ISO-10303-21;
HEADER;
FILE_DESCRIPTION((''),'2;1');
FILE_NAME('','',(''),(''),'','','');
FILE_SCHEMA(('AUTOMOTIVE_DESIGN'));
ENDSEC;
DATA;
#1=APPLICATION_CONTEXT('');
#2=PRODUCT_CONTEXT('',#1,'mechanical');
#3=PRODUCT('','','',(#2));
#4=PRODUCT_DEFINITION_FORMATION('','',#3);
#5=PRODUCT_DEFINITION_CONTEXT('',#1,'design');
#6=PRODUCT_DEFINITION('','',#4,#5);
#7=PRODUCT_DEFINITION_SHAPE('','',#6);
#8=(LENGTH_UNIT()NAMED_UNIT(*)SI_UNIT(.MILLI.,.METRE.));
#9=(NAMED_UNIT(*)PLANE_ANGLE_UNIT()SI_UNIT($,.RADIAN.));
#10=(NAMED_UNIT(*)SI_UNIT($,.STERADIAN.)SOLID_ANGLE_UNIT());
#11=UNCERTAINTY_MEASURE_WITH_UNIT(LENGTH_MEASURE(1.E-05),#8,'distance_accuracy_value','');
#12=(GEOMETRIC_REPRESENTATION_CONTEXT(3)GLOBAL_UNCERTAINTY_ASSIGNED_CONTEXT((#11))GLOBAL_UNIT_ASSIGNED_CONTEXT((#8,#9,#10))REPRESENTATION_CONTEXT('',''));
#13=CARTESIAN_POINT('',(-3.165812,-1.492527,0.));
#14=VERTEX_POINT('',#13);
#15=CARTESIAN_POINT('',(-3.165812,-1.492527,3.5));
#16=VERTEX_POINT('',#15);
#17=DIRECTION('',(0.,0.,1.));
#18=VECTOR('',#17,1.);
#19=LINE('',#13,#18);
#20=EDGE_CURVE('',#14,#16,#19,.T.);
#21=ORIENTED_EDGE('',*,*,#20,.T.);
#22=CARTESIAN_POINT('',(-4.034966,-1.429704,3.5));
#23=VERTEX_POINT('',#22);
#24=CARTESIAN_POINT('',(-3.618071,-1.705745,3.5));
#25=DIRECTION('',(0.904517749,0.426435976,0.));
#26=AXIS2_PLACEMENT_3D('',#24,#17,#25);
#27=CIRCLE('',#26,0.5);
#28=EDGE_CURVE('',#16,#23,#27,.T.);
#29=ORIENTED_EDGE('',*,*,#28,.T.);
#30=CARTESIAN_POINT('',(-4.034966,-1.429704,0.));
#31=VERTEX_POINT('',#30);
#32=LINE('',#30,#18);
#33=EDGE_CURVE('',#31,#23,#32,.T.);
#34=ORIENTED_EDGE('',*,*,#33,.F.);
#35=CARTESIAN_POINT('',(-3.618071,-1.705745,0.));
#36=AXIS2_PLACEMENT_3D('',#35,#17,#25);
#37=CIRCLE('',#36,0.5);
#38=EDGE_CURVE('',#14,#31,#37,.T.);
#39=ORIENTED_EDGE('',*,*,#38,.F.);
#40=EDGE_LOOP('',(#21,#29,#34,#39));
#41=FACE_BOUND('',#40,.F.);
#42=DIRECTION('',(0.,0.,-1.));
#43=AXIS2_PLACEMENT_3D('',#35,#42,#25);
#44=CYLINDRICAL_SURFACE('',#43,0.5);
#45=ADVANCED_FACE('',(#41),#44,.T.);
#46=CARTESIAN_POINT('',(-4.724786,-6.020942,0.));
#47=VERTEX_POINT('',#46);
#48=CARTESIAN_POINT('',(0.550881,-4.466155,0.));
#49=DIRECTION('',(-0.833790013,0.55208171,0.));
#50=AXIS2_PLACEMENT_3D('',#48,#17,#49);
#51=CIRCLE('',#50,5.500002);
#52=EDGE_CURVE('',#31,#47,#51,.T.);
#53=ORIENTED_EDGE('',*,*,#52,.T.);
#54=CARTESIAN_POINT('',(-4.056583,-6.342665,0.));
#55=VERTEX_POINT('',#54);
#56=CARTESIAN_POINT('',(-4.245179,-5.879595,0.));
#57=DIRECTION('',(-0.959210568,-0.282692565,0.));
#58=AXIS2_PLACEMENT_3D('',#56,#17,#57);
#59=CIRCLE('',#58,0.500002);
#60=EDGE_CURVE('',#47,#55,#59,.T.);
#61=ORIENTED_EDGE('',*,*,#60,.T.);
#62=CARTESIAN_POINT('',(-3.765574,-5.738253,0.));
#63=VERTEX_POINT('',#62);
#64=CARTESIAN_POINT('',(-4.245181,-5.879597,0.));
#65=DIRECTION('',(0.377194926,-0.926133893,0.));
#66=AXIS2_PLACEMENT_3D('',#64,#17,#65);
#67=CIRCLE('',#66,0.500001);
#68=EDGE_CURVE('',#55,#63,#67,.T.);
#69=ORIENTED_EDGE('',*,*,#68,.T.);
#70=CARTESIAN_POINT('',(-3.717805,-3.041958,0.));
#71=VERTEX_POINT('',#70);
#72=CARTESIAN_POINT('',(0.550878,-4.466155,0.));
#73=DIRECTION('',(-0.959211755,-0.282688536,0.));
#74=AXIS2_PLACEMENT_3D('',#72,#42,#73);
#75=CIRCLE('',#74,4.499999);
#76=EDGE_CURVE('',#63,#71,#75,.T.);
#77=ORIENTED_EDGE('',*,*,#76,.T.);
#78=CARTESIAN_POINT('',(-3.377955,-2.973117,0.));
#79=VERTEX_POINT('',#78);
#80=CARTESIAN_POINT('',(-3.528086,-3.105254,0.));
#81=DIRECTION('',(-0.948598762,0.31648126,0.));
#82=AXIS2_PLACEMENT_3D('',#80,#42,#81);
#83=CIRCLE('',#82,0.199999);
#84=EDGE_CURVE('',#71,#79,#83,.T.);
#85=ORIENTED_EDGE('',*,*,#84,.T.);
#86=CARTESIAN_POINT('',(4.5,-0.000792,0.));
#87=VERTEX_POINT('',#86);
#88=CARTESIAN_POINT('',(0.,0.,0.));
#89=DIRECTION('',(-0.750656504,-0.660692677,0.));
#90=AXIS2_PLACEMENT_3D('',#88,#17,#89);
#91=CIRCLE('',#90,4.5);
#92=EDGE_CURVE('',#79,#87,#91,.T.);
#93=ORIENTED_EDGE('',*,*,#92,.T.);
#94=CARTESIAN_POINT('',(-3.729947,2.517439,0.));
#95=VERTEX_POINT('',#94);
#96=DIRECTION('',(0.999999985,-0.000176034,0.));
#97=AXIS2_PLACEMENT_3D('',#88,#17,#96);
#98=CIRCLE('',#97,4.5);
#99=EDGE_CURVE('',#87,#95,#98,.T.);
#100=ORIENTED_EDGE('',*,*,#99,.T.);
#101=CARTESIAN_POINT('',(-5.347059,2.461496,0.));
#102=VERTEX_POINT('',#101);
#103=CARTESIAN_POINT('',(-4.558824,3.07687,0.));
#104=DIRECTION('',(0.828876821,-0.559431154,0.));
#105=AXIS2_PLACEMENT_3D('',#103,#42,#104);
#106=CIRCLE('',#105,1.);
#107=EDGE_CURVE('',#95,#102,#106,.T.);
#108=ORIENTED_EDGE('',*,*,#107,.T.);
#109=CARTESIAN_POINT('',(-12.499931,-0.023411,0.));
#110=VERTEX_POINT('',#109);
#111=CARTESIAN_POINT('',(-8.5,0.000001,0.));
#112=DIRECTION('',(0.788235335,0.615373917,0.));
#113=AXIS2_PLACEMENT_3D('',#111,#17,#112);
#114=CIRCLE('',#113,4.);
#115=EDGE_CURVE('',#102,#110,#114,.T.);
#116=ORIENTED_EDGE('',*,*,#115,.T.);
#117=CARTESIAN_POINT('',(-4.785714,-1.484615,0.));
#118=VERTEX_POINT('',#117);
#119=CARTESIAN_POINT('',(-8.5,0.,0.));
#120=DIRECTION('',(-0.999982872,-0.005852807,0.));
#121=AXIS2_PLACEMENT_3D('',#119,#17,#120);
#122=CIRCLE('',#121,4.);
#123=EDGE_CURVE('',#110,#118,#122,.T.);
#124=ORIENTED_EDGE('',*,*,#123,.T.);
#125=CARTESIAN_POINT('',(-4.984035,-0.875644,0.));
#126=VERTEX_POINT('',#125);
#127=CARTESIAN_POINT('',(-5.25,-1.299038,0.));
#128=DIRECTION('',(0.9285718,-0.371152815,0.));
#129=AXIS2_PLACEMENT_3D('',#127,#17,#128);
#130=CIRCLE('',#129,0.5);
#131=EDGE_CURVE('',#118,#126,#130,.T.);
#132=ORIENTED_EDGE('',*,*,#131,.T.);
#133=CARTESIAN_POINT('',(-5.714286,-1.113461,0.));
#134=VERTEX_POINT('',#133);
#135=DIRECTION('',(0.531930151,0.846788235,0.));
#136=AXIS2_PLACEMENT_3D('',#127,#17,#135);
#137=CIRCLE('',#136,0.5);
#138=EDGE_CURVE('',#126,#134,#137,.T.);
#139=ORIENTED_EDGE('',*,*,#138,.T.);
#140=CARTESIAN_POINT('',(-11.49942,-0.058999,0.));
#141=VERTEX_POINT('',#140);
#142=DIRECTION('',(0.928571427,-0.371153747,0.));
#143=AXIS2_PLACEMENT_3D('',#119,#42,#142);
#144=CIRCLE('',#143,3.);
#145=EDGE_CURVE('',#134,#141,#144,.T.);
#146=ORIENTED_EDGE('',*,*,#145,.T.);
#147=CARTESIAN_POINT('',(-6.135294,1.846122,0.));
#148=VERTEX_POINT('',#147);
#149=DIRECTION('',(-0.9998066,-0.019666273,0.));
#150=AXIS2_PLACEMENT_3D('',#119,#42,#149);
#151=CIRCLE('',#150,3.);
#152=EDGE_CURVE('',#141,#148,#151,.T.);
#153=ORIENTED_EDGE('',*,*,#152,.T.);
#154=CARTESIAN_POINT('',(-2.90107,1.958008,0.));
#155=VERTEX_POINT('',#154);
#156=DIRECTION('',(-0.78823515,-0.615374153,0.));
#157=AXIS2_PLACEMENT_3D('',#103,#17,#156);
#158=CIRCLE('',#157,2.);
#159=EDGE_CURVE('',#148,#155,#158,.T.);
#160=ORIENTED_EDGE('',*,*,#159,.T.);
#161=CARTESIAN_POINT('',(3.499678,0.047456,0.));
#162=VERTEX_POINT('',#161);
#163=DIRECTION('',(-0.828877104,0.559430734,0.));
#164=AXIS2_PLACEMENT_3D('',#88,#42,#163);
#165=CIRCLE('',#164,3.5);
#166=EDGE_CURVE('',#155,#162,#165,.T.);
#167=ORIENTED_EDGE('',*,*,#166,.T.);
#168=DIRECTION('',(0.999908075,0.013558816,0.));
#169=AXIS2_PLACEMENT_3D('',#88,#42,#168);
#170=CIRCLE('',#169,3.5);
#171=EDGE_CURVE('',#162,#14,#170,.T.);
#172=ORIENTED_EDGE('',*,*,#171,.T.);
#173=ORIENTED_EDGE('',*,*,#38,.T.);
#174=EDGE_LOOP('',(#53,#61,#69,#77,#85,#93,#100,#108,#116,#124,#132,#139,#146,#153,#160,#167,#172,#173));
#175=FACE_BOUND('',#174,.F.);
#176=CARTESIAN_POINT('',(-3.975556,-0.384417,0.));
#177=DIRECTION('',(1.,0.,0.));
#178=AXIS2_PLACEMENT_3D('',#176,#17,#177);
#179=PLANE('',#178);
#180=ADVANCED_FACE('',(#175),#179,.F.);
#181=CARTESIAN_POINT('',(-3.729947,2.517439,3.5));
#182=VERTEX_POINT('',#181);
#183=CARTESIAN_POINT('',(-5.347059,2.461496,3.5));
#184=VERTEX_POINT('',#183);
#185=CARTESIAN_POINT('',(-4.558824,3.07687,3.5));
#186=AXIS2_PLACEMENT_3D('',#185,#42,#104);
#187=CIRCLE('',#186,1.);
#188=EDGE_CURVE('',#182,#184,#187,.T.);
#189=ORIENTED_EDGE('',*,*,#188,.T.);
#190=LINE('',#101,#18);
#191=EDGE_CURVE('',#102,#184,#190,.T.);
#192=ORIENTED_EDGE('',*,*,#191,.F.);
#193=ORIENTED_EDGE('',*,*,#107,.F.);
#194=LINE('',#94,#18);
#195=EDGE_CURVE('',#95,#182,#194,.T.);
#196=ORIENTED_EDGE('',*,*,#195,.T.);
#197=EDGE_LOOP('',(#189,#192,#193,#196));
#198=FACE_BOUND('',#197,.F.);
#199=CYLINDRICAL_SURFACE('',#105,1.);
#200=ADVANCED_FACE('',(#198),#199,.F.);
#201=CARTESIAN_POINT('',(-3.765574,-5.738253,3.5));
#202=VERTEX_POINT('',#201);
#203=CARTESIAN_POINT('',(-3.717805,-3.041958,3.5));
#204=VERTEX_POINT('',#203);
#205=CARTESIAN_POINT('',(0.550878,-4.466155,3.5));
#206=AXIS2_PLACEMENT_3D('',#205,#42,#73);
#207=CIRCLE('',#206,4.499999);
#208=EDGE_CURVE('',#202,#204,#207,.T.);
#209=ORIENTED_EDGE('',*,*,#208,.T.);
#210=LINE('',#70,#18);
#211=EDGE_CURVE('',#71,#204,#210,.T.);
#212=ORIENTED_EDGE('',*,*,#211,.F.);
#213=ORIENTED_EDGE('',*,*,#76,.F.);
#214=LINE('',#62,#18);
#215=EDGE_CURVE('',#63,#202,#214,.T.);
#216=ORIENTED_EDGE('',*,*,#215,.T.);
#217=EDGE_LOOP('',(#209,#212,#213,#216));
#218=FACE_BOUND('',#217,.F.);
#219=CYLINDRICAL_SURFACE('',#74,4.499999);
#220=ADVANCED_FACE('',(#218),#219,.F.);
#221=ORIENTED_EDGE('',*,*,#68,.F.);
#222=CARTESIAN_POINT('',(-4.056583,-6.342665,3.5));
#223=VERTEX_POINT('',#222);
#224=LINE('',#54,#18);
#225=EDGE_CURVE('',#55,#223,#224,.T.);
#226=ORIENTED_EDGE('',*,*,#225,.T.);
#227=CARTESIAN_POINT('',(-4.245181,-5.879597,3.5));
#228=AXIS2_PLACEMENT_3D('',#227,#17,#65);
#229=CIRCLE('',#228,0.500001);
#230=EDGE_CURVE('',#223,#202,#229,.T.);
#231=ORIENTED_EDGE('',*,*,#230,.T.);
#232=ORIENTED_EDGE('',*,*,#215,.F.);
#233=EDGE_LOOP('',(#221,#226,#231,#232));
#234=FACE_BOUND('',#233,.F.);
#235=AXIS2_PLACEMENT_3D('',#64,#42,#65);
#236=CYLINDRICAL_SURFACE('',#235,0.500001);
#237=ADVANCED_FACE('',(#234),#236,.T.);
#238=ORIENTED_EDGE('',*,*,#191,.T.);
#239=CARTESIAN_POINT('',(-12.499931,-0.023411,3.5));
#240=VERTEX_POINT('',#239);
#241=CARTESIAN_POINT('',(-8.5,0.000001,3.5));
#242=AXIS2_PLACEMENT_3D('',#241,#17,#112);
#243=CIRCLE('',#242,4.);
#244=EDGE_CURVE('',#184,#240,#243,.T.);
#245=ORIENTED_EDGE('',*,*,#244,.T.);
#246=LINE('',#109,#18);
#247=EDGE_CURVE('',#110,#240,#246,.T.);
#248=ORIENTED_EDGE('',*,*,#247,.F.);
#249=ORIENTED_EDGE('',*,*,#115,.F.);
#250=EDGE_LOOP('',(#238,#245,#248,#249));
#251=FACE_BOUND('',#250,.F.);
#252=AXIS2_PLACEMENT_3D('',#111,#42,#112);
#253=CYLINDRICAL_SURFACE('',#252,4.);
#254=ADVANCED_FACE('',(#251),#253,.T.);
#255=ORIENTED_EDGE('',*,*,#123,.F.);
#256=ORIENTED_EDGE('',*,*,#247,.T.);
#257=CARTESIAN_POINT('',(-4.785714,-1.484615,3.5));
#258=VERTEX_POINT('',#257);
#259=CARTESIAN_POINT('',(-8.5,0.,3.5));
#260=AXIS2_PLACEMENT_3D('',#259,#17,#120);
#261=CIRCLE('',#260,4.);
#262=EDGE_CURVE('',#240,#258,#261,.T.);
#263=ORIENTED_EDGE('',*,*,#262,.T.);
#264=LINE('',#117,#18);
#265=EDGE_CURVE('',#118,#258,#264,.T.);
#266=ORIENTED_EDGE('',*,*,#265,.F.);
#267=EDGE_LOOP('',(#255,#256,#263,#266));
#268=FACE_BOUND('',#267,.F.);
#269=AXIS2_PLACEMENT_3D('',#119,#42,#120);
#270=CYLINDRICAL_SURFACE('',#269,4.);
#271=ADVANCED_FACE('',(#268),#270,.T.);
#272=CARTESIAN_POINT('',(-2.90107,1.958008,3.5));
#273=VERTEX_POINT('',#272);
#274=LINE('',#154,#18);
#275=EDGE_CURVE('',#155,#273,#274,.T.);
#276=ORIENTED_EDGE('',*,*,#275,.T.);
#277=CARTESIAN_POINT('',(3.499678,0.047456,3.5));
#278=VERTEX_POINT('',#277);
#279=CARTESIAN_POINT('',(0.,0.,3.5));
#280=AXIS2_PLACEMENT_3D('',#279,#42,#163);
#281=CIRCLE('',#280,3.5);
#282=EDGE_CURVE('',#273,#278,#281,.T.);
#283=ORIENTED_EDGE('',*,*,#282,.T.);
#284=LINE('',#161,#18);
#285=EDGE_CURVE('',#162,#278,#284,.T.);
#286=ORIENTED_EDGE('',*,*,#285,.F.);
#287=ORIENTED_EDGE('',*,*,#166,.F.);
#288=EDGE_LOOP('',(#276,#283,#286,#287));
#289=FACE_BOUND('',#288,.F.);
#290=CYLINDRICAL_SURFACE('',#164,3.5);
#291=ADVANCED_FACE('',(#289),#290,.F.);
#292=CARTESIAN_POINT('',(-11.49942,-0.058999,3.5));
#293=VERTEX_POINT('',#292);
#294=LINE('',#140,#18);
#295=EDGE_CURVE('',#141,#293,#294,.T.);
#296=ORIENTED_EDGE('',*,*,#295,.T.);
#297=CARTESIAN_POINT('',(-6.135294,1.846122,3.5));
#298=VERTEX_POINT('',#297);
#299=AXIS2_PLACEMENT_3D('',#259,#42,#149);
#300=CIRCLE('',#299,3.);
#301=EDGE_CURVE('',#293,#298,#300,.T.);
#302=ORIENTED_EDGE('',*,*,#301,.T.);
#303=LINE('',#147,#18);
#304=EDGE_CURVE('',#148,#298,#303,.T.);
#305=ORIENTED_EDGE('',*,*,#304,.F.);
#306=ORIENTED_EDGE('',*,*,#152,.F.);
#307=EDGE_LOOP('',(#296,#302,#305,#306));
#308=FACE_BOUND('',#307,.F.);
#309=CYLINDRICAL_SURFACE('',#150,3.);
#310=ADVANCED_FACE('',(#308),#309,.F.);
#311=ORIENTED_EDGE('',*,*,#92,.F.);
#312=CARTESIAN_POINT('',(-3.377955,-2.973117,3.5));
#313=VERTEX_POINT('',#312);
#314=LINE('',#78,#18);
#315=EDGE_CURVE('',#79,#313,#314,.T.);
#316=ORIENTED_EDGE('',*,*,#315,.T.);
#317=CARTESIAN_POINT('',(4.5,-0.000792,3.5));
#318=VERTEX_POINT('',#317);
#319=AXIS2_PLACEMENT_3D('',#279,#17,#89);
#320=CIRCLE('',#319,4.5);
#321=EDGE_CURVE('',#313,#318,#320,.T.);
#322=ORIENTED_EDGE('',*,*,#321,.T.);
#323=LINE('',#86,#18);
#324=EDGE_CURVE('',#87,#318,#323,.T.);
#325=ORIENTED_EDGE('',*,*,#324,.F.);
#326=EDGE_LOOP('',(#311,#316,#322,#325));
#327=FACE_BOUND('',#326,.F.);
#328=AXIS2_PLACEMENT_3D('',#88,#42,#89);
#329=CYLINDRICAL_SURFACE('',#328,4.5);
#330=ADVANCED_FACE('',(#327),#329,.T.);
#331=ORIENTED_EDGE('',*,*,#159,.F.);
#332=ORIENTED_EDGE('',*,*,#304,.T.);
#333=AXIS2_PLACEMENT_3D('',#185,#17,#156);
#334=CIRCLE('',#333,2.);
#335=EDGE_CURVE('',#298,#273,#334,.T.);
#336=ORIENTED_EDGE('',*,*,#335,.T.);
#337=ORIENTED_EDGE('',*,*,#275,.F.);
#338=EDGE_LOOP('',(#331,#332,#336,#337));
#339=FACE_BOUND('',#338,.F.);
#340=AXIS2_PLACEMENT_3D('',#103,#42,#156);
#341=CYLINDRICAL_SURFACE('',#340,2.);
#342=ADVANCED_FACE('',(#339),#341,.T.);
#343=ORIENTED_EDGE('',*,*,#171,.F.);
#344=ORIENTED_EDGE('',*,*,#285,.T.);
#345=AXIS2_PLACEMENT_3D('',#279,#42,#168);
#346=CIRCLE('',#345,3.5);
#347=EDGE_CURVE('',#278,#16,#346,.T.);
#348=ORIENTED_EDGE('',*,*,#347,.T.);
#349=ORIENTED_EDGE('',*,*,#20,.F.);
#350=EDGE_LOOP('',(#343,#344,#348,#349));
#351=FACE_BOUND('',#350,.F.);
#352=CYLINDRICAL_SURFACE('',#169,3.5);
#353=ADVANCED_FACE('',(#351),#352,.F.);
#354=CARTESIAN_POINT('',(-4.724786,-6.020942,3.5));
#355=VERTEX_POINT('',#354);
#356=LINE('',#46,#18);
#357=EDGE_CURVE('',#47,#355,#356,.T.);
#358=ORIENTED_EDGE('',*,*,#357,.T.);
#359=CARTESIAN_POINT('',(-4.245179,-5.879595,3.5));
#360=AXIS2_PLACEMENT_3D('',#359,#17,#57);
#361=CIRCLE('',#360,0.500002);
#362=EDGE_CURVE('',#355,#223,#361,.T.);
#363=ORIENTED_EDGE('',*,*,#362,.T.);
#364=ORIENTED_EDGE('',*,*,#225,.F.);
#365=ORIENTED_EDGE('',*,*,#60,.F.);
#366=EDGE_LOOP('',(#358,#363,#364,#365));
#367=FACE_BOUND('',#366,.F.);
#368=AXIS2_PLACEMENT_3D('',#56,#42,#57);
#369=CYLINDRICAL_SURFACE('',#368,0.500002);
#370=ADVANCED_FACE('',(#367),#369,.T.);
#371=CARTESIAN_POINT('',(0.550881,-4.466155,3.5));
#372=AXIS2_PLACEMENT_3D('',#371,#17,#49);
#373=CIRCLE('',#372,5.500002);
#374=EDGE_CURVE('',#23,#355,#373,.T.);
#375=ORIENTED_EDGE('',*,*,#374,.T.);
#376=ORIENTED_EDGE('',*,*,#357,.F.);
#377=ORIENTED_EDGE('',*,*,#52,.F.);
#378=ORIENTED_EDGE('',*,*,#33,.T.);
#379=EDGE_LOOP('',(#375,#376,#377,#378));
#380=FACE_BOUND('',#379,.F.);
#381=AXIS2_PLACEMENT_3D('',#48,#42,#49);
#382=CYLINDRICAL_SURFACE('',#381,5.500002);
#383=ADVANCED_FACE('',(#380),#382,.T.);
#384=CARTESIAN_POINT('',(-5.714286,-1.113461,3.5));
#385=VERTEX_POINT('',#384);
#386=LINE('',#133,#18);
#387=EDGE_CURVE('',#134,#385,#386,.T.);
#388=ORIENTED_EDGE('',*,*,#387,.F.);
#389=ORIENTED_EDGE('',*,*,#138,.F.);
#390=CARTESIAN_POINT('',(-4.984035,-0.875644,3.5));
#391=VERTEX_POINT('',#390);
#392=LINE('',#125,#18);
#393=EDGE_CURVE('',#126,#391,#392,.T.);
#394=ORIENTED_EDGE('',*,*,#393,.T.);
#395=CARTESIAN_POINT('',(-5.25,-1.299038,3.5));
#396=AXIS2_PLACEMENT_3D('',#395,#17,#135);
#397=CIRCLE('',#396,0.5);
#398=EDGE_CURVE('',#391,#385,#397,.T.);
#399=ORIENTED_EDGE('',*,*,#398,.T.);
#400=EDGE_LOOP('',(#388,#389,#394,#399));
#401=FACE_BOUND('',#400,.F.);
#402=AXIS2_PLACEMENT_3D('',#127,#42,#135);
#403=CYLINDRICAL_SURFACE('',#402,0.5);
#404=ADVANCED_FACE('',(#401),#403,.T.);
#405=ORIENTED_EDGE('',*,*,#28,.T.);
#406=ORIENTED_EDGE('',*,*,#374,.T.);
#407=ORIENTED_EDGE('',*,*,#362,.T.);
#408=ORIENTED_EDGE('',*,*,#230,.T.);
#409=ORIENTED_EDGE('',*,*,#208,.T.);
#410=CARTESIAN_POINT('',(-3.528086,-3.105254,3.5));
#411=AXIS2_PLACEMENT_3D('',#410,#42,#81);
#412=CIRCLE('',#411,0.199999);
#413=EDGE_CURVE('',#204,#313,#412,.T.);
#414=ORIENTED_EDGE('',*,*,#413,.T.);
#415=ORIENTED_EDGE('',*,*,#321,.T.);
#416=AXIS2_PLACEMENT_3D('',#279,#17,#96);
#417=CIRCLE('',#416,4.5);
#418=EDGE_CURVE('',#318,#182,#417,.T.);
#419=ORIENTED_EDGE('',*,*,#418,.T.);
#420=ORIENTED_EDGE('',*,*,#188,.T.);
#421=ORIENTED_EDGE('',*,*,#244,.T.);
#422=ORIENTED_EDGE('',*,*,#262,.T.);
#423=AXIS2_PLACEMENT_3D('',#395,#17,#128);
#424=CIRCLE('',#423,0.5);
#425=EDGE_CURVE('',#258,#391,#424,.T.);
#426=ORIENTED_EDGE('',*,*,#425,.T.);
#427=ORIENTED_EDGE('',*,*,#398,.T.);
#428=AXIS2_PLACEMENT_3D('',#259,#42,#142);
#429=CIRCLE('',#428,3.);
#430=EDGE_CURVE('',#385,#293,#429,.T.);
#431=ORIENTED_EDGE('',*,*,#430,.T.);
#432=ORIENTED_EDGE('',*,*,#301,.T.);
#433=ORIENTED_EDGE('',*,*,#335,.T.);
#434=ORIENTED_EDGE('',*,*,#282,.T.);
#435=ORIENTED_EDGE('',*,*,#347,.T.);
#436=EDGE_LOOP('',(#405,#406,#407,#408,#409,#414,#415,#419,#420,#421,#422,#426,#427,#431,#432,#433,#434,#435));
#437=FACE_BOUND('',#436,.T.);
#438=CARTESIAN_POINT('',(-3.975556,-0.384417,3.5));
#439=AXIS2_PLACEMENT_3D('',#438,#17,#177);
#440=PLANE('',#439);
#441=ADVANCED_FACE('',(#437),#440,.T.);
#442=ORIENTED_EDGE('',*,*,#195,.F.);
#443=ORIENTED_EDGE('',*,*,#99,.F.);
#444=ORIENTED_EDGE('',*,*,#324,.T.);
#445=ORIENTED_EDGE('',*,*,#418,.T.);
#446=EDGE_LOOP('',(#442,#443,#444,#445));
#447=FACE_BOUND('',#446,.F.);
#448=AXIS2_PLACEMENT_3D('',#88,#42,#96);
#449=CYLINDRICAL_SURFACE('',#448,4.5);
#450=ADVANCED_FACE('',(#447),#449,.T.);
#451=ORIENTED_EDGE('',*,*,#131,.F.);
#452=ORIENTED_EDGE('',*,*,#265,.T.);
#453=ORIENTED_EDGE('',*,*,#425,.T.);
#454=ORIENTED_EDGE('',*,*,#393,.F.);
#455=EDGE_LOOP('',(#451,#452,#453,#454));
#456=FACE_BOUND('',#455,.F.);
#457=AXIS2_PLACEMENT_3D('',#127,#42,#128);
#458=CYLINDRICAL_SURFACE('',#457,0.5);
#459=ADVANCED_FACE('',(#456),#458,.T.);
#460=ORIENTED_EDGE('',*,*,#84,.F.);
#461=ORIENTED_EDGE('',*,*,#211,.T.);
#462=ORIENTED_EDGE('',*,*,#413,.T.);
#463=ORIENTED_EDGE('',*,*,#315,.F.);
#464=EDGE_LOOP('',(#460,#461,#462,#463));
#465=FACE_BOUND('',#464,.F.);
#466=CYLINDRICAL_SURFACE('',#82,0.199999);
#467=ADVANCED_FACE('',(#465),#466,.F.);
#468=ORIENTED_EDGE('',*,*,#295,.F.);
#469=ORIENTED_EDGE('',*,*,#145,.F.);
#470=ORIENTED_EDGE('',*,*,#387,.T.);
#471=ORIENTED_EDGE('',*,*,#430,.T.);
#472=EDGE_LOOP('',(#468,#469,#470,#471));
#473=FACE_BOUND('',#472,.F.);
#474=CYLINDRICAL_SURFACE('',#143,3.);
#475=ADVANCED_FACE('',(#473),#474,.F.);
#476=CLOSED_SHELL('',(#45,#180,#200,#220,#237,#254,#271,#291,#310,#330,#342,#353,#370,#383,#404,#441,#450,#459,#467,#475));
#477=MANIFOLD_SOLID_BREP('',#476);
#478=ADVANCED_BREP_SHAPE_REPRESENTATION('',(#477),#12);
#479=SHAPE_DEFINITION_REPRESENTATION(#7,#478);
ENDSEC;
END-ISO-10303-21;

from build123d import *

# Parameters (mm, degrees)
F1_DEPTH = 3.5


with BuildPart() as f1:
    # F0 (on Top) → F1 (new body)
    with BuildSketch(Plane.XY):
        with BuildLine():
            ThreePointArc((-3.729947, 2.517439), (-4.52425, 2.077468), (-5.347059, 2.461496))
            ThreePointArc((-5.347059, 2.461496), (-9.812645, 3.778487), (-12.499931, -0.023411))
            ThreePointArc((-12.499931, -0.023411), (-9.244431, -3.930117), (-4.785714, -1.484615))
            ThreePointArc((-4.785714, -1.484615), (-4.774576, -1.144209), (-4.984035, -0.875644))
            ThreePointArc((-4.984035, -0.875644), (-5.404829, -0.823614), (-5.714286, -1.113461))
            ThreePointArc((-5.714286, -1.113461), (-9.03795, -2.951374), (-11.49942, -0.058999))
            ThreePointArc((-11.49942, -0.058999), (-9.504036, 2.826997), (-6.135294, 1.846122))
            ThreePointArc((-6.135294, 1.846122), (-4.489676, 1.078066), (-2.90107, 1.958008))
            ThreePointArc((-2.90107, 1.958008), (1.001067, 3.353784), (3.499678, 0.047456))
            ThreePointArc((3.499678, 0.047456), (0.787879, -3.410168), (-3.165812, -1.492527))
            ThreePointArc((-3.165812, -1.492527), (-3.582024, -1.207046), (-4.034966, -1.429704))
            ThreePointArc((-4.034966, -1.429704), (-4.888074, -3.648968), (-4.724786, -6.020942))
            ThreePointArc((-4.724786, -6.020942), (-4.462085, -6.330099), (-4.056583, -6.342665))
            ThreePointArc((-4.056583, -6.342665), (-3.794678, -6.096503), (-3.765574, -5.738253))
            ThreePointArc((-3.765574, -5.738253), (-3.948415, -4.386443), (-3.717805, -3.041958))
            ThreePointArc((-3.717805, -3.041958), (-3.567792, -2.909236), (-3.377955, -2.973117))
            ThreePointArc((-3.377955, -2.973117), (1.588529, -4.210294), (4.5, -0.000792))
            ThreePointArc((4.5, -0.000792), (1.316669, 4.303067), (-3.729947, 2.517439))
        make_face()
    extrude(amount=F1_DEPTH)


solid = f1.part
